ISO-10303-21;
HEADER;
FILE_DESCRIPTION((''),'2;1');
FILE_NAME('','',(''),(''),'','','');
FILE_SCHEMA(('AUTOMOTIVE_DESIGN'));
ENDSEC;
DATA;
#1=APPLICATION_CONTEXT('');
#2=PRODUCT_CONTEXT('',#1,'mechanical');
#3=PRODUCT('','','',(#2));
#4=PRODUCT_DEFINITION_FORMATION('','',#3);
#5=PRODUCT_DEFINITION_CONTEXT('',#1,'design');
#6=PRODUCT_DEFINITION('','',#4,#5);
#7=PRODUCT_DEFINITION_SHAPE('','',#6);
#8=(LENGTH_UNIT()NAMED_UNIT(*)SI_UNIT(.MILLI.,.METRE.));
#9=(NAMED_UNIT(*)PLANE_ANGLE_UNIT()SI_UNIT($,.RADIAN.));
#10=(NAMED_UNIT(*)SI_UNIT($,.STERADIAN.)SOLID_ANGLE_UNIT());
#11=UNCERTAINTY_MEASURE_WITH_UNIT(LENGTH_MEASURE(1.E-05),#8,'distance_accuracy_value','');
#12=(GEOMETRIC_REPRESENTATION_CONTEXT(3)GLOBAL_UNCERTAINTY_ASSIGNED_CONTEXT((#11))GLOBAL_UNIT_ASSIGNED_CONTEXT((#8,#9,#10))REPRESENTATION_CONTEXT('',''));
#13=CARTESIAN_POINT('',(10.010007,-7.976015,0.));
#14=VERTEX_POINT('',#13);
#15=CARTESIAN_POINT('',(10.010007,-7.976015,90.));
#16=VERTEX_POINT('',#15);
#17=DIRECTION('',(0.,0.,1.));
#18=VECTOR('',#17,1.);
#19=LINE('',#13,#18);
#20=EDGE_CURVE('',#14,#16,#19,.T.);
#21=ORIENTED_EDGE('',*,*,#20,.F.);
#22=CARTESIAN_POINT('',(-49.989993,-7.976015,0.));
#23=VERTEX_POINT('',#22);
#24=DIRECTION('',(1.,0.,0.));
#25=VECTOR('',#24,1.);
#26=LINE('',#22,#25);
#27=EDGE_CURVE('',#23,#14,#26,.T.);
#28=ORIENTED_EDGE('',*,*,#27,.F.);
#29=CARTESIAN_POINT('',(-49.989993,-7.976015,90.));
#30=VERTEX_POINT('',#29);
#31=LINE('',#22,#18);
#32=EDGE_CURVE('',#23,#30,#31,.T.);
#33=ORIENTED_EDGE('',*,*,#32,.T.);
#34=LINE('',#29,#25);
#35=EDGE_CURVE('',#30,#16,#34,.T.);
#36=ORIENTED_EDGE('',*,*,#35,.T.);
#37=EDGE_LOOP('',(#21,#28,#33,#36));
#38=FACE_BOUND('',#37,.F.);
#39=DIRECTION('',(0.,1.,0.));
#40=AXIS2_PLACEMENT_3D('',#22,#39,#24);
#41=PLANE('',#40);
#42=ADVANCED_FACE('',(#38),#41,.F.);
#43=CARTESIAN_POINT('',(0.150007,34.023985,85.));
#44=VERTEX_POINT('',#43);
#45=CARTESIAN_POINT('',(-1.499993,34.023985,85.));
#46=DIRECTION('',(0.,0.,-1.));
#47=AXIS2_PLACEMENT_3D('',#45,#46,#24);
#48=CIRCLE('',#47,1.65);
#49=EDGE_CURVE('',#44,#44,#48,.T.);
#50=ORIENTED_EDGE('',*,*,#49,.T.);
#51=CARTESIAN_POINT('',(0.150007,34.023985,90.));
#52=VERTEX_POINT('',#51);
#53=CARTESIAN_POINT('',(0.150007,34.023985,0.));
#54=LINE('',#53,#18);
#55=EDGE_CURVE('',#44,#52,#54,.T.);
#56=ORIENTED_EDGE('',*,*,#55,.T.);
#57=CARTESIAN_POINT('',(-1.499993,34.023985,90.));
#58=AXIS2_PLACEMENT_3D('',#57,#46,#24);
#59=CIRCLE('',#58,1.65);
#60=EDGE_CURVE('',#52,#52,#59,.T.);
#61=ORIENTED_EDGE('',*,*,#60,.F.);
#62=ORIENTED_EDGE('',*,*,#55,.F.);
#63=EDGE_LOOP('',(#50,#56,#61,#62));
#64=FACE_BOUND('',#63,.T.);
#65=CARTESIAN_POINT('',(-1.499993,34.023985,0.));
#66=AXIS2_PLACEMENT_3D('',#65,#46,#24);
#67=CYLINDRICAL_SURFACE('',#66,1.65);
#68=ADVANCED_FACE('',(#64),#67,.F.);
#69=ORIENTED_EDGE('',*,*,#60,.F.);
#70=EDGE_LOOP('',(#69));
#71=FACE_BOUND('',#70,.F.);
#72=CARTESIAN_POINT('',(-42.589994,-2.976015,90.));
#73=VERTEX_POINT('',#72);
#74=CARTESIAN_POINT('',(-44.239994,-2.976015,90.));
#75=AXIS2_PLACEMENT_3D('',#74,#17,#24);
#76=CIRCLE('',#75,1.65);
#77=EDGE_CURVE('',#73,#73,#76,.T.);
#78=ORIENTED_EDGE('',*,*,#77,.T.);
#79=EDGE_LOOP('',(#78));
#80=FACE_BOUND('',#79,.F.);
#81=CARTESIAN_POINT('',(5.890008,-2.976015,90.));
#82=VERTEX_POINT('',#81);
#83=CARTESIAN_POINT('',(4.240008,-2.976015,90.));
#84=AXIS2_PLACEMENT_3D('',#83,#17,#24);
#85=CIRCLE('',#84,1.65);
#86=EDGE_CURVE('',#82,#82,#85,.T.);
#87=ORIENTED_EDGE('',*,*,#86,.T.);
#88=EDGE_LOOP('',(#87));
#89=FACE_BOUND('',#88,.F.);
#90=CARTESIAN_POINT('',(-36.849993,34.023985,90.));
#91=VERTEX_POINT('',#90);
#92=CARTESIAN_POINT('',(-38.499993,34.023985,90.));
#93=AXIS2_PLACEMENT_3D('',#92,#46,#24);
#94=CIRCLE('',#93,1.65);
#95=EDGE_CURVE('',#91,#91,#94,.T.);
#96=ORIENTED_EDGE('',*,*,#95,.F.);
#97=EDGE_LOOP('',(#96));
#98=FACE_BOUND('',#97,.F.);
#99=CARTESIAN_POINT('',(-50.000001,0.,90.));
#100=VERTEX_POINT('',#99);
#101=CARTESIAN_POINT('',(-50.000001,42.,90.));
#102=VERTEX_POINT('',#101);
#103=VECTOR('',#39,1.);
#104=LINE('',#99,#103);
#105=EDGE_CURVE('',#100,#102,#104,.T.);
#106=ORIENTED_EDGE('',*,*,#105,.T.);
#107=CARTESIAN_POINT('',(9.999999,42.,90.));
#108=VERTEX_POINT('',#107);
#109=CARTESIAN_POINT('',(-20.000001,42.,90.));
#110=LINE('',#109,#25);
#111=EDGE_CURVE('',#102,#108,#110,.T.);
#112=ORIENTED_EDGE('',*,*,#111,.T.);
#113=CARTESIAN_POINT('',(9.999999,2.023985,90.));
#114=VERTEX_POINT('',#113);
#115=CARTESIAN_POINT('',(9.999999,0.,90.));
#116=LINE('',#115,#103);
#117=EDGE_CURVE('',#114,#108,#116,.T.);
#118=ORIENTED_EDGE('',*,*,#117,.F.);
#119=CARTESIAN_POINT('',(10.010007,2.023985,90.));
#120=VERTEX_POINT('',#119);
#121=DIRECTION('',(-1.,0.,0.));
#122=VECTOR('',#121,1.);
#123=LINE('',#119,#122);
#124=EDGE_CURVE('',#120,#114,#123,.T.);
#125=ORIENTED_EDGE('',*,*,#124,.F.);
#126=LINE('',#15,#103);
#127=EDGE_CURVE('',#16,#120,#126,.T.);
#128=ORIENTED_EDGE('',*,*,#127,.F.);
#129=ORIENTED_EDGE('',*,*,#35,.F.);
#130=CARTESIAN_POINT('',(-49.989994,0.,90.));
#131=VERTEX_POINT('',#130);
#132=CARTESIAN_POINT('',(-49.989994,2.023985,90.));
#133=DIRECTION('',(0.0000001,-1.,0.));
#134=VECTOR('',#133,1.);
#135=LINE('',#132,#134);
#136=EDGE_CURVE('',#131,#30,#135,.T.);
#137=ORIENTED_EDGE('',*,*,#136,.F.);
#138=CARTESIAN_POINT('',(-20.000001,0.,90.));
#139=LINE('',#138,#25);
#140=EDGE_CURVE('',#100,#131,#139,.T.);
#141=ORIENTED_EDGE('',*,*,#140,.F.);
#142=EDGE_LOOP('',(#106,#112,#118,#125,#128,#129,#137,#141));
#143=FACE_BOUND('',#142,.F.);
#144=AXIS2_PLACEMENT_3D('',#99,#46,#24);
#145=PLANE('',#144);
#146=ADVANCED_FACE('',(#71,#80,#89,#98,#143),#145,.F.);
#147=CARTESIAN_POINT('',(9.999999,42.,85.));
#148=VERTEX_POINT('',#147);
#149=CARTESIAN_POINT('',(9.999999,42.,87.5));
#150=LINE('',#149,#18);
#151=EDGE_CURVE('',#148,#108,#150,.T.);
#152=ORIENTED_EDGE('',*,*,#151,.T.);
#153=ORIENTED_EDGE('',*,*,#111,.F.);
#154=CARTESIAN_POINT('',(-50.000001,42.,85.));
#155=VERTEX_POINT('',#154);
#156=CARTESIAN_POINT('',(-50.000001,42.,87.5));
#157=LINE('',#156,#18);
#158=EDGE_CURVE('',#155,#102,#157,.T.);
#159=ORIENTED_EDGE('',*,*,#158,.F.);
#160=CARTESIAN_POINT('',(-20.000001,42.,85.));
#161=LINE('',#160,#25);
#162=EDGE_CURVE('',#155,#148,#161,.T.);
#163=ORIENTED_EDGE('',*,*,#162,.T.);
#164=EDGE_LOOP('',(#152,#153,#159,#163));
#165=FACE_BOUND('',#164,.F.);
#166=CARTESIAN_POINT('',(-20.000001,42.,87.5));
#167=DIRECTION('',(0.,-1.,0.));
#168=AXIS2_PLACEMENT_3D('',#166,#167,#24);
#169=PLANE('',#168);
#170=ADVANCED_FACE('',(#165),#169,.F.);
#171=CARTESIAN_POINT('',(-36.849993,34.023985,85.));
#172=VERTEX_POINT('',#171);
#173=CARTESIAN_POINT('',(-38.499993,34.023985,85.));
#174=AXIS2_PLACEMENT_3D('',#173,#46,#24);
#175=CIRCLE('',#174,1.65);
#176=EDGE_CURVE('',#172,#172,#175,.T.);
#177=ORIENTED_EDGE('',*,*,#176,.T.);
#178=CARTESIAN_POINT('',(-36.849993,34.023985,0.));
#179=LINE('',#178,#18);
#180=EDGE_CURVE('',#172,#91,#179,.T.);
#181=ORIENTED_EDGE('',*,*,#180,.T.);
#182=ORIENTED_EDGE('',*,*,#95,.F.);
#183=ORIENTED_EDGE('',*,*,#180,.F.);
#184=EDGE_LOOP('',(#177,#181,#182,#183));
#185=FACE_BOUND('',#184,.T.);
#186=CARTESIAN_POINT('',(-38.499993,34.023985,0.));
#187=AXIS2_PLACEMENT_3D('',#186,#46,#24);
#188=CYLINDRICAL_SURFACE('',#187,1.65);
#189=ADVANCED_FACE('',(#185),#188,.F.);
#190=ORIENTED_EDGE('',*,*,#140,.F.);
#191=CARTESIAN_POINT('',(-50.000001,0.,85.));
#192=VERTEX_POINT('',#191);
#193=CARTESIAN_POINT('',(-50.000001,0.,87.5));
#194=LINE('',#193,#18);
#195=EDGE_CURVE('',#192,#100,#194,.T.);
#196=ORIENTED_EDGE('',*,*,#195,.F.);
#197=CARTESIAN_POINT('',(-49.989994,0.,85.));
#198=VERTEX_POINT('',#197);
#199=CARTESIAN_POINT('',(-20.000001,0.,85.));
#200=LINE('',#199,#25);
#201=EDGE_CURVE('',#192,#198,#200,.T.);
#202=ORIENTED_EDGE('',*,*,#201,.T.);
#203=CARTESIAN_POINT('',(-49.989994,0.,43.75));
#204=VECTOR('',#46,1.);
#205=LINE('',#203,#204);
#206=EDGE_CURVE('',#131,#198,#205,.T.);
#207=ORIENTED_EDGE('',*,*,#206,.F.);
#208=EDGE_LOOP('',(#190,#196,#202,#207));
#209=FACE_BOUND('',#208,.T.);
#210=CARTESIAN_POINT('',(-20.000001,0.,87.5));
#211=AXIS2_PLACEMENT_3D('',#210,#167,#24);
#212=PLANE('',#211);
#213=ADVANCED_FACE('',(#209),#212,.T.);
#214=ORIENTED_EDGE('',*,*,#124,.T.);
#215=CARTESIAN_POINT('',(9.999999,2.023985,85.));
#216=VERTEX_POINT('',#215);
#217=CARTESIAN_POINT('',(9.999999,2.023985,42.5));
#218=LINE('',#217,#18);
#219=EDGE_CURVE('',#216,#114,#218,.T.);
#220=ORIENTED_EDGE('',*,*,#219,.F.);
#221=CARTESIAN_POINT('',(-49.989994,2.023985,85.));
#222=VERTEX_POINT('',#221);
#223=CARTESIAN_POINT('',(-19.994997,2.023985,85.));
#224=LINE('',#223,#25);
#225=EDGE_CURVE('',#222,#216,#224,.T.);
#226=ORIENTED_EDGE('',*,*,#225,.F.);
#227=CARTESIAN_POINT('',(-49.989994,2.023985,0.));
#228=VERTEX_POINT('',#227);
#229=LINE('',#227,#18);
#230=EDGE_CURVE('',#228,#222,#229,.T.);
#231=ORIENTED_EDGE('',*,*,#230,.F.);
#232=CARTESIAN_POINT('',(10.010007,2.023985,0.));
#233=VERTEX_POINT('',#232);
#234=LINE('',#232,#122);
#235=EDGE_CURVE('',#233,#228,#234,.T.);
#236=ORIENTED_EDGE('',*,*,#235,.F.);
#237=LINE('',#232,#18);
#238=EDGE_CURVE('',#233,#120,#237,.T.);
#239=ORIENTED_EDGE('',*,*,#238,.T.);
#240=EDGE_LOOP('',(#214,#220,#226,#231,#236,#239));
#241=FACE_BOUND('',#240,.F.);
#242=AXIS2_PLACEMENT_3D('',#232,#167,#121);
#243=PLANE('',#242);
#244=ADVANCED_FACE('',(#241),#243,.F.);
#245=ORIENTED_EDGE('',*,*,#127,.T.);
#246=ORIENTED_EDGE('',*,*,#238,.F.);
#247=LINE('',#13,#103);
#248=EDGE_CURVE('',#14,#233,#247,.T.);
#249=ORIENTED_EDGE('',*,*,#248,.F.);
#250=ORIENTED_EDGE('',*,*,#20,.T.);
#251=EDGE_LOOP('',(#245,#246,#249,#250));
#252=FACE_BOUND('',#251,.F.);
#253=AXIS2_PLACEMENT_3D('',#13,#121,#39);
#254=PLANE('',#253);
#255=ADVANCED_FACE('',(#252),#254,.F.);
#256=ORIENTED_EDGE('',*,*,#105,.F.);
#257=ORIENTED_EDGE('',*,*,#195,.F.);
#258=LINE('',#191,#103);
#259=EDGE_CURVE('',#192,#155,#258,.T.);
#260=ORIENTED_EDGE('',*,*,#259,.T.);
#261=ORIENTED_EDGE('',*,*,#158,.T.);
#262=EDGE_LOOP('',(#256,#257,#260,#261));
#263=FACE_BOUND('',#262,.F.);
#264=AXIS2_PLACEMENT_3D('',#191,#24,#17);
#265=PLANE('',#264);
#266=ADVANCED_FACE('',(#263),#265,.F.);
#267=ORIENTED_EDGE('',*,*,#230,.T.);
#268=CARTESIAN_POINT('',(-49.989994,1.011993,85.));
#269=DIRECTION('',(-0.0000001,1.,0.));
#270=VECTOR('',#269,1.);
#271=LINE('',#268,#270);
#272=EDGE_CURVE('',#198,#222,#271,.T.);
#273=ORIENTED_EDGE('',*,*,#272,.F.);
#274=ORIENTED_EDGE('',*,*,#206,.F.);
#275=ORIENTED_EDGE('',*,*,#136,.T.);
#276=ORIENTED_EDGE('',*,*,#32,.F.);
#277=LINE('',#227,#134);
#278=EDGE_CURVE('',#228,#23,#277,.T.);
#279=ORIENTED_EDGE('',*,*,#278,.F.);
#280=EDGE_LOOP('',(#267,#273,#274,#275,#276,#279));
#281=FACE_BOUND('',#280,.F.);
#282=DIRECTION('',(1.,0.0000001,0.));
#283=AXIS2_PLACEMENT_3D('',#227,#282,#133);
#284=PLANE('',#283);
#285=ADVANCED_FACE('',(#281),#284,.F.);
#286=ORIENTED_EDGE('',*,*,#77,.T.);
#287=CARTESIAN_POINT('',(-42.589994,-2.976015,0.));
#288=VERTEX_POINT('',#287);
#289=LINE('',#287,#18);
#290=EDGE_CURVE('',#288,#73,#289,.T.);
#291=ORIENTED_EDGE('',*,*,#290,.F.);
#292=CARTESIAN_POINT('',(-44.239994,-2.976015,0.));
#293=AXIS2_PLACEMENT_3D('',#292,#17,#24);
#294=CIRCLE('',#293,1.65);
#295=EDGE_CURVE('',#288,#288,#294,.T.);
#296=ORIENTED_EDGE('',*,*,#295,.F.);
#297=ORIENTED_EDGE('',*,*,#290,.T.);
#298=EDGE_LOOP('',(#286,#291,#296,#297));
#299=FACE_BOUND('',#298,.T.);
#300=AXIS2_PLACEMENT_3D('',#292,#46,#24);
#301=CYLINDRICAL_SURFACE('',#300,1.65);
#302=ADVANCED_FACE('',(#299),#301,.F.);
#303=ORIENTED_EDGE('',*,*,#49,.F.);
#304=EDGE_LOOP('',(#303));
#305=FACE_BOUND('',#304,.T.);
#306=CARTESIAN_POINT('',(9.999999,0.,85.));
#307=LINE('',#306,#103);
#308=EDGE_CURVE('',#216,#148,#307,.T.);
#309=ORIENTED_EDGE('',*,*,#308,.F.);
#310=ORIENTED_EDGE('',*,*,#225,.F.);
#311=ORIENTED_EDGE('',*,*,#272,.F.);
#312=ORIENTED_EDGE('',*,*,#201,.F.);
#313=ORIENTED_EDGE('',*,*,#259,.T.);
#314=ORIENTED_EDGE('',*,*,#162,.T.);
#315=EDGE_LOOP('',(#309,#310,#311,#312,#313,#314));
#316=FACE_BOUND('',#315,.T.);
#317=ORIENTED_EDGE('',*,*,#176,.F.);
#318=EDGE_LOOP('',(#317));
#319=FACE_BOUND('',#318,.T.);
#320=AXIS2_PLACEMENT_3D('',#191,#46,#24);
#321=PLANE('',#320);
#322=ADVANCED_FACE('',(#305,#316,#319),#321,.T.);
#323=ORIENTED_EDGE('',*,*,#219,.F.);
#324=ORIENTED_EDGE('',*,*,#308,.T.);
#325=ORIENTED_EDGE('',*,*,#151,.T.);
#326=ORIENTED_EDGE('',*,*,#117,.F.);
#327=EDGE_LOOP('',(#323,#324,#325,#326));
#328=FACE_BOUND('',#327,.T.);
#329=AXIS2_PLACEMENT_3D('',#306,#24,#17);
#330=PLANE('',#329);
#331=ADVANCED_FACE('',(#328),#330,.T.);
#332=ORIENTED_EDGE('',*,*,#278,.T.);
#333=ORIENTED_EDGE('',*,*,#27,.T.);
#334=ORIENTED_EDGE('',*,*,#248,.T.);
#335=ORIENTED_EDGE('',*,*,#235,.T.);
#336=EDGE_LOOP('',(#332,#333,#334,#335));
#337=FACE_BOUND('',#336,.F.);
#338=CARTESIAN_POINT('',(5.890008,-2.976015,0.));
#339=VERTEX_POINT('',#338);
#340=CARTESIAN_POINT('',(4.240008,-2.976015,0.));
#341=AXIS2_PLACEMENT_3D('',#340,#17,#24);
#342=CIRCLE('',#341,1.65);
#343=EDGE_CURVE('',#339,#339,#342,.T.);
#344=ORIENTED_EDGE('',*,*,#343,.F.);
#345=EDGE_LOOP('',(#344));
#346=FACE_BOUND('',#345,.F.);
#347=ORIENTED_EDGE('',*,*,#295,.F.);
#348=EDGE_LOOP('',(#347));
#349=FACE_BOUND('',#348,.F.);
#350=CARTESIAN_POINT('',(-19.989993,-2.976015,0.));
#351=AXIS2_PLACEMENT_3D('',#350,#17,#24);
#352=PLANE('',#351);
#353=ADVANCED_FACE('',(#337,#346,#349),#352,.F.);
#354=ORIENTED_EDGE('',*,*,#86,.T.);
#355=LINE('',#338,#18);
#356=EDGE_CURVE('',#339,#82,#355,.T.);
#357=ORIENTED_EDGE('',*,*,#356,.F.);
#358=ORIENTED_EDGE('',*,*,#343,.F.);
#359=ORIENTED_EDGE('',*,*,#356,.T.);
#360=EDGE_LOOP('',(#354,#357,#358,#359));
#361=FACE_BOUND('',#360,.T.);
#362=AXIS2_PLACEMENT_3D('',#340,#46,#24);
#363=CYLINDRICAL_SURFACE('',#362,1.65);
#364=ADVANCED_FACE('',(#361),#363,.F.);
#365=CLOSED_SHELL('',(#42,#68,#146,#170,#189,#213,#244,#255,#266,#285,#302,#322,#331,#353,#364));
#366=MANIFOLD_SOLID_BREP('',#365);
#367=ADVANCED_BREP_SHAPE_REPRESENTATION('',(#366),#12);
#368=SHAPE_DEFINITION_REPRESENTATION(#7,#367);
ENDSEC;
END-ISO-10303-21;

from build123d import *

# Parameters (mm, degrees)
F0_R     = 1.65
F2_DEPTH = 90
F1_W     = 60
F1_H     = 5
F3_DEPTH = 42
F4_DEPTH = 97


with BuildPart() as f2:
    # F0 (on Top) → F2 (new body)
    with BuildSketch(Plane.XY):
        Polygon((-49.989993, -7.976015), (10.010007, -7.976015), (10.010007, 2.023985), (-49.989994, 2.023985), align=None)
        with Locations((-44.239994, -2.976015)):
            Circle(F0_R, mode=Mode.SUBTRACT)
        with Locations((4.240008, -2.976015)):
            Circle(F0_R, mode=Mode.SUBTRACT)
    extrude(amount=F2_DEPTH)

    # F1 (on Front) → F3 (join)
    with BuildSketch(Plane.XZ):
        with Locations((-20.000001, 87.5)):
            Rectangle(F1_W, F1_H)
    extrude(amount=-F3_DEPTH)

    # F0 (on Top) → F4 (cut)
    with BuildSketch(Plane.XY):
        with Locations((4.240008, -2.976015)):
            Circle(F0_R)
        with Locations((-44.239994, -2.976015)):
            Circle(F0_R)
        with Locations((-38.499993, 34.023985)):
            Circle(F0_R)
        with Locations((-1.499993, 34.023985)):
            Circle(F0_R)
    extrude(amount=F4_DEPTH, mode=Mode.SUBTRACT)


solid = f2.part
